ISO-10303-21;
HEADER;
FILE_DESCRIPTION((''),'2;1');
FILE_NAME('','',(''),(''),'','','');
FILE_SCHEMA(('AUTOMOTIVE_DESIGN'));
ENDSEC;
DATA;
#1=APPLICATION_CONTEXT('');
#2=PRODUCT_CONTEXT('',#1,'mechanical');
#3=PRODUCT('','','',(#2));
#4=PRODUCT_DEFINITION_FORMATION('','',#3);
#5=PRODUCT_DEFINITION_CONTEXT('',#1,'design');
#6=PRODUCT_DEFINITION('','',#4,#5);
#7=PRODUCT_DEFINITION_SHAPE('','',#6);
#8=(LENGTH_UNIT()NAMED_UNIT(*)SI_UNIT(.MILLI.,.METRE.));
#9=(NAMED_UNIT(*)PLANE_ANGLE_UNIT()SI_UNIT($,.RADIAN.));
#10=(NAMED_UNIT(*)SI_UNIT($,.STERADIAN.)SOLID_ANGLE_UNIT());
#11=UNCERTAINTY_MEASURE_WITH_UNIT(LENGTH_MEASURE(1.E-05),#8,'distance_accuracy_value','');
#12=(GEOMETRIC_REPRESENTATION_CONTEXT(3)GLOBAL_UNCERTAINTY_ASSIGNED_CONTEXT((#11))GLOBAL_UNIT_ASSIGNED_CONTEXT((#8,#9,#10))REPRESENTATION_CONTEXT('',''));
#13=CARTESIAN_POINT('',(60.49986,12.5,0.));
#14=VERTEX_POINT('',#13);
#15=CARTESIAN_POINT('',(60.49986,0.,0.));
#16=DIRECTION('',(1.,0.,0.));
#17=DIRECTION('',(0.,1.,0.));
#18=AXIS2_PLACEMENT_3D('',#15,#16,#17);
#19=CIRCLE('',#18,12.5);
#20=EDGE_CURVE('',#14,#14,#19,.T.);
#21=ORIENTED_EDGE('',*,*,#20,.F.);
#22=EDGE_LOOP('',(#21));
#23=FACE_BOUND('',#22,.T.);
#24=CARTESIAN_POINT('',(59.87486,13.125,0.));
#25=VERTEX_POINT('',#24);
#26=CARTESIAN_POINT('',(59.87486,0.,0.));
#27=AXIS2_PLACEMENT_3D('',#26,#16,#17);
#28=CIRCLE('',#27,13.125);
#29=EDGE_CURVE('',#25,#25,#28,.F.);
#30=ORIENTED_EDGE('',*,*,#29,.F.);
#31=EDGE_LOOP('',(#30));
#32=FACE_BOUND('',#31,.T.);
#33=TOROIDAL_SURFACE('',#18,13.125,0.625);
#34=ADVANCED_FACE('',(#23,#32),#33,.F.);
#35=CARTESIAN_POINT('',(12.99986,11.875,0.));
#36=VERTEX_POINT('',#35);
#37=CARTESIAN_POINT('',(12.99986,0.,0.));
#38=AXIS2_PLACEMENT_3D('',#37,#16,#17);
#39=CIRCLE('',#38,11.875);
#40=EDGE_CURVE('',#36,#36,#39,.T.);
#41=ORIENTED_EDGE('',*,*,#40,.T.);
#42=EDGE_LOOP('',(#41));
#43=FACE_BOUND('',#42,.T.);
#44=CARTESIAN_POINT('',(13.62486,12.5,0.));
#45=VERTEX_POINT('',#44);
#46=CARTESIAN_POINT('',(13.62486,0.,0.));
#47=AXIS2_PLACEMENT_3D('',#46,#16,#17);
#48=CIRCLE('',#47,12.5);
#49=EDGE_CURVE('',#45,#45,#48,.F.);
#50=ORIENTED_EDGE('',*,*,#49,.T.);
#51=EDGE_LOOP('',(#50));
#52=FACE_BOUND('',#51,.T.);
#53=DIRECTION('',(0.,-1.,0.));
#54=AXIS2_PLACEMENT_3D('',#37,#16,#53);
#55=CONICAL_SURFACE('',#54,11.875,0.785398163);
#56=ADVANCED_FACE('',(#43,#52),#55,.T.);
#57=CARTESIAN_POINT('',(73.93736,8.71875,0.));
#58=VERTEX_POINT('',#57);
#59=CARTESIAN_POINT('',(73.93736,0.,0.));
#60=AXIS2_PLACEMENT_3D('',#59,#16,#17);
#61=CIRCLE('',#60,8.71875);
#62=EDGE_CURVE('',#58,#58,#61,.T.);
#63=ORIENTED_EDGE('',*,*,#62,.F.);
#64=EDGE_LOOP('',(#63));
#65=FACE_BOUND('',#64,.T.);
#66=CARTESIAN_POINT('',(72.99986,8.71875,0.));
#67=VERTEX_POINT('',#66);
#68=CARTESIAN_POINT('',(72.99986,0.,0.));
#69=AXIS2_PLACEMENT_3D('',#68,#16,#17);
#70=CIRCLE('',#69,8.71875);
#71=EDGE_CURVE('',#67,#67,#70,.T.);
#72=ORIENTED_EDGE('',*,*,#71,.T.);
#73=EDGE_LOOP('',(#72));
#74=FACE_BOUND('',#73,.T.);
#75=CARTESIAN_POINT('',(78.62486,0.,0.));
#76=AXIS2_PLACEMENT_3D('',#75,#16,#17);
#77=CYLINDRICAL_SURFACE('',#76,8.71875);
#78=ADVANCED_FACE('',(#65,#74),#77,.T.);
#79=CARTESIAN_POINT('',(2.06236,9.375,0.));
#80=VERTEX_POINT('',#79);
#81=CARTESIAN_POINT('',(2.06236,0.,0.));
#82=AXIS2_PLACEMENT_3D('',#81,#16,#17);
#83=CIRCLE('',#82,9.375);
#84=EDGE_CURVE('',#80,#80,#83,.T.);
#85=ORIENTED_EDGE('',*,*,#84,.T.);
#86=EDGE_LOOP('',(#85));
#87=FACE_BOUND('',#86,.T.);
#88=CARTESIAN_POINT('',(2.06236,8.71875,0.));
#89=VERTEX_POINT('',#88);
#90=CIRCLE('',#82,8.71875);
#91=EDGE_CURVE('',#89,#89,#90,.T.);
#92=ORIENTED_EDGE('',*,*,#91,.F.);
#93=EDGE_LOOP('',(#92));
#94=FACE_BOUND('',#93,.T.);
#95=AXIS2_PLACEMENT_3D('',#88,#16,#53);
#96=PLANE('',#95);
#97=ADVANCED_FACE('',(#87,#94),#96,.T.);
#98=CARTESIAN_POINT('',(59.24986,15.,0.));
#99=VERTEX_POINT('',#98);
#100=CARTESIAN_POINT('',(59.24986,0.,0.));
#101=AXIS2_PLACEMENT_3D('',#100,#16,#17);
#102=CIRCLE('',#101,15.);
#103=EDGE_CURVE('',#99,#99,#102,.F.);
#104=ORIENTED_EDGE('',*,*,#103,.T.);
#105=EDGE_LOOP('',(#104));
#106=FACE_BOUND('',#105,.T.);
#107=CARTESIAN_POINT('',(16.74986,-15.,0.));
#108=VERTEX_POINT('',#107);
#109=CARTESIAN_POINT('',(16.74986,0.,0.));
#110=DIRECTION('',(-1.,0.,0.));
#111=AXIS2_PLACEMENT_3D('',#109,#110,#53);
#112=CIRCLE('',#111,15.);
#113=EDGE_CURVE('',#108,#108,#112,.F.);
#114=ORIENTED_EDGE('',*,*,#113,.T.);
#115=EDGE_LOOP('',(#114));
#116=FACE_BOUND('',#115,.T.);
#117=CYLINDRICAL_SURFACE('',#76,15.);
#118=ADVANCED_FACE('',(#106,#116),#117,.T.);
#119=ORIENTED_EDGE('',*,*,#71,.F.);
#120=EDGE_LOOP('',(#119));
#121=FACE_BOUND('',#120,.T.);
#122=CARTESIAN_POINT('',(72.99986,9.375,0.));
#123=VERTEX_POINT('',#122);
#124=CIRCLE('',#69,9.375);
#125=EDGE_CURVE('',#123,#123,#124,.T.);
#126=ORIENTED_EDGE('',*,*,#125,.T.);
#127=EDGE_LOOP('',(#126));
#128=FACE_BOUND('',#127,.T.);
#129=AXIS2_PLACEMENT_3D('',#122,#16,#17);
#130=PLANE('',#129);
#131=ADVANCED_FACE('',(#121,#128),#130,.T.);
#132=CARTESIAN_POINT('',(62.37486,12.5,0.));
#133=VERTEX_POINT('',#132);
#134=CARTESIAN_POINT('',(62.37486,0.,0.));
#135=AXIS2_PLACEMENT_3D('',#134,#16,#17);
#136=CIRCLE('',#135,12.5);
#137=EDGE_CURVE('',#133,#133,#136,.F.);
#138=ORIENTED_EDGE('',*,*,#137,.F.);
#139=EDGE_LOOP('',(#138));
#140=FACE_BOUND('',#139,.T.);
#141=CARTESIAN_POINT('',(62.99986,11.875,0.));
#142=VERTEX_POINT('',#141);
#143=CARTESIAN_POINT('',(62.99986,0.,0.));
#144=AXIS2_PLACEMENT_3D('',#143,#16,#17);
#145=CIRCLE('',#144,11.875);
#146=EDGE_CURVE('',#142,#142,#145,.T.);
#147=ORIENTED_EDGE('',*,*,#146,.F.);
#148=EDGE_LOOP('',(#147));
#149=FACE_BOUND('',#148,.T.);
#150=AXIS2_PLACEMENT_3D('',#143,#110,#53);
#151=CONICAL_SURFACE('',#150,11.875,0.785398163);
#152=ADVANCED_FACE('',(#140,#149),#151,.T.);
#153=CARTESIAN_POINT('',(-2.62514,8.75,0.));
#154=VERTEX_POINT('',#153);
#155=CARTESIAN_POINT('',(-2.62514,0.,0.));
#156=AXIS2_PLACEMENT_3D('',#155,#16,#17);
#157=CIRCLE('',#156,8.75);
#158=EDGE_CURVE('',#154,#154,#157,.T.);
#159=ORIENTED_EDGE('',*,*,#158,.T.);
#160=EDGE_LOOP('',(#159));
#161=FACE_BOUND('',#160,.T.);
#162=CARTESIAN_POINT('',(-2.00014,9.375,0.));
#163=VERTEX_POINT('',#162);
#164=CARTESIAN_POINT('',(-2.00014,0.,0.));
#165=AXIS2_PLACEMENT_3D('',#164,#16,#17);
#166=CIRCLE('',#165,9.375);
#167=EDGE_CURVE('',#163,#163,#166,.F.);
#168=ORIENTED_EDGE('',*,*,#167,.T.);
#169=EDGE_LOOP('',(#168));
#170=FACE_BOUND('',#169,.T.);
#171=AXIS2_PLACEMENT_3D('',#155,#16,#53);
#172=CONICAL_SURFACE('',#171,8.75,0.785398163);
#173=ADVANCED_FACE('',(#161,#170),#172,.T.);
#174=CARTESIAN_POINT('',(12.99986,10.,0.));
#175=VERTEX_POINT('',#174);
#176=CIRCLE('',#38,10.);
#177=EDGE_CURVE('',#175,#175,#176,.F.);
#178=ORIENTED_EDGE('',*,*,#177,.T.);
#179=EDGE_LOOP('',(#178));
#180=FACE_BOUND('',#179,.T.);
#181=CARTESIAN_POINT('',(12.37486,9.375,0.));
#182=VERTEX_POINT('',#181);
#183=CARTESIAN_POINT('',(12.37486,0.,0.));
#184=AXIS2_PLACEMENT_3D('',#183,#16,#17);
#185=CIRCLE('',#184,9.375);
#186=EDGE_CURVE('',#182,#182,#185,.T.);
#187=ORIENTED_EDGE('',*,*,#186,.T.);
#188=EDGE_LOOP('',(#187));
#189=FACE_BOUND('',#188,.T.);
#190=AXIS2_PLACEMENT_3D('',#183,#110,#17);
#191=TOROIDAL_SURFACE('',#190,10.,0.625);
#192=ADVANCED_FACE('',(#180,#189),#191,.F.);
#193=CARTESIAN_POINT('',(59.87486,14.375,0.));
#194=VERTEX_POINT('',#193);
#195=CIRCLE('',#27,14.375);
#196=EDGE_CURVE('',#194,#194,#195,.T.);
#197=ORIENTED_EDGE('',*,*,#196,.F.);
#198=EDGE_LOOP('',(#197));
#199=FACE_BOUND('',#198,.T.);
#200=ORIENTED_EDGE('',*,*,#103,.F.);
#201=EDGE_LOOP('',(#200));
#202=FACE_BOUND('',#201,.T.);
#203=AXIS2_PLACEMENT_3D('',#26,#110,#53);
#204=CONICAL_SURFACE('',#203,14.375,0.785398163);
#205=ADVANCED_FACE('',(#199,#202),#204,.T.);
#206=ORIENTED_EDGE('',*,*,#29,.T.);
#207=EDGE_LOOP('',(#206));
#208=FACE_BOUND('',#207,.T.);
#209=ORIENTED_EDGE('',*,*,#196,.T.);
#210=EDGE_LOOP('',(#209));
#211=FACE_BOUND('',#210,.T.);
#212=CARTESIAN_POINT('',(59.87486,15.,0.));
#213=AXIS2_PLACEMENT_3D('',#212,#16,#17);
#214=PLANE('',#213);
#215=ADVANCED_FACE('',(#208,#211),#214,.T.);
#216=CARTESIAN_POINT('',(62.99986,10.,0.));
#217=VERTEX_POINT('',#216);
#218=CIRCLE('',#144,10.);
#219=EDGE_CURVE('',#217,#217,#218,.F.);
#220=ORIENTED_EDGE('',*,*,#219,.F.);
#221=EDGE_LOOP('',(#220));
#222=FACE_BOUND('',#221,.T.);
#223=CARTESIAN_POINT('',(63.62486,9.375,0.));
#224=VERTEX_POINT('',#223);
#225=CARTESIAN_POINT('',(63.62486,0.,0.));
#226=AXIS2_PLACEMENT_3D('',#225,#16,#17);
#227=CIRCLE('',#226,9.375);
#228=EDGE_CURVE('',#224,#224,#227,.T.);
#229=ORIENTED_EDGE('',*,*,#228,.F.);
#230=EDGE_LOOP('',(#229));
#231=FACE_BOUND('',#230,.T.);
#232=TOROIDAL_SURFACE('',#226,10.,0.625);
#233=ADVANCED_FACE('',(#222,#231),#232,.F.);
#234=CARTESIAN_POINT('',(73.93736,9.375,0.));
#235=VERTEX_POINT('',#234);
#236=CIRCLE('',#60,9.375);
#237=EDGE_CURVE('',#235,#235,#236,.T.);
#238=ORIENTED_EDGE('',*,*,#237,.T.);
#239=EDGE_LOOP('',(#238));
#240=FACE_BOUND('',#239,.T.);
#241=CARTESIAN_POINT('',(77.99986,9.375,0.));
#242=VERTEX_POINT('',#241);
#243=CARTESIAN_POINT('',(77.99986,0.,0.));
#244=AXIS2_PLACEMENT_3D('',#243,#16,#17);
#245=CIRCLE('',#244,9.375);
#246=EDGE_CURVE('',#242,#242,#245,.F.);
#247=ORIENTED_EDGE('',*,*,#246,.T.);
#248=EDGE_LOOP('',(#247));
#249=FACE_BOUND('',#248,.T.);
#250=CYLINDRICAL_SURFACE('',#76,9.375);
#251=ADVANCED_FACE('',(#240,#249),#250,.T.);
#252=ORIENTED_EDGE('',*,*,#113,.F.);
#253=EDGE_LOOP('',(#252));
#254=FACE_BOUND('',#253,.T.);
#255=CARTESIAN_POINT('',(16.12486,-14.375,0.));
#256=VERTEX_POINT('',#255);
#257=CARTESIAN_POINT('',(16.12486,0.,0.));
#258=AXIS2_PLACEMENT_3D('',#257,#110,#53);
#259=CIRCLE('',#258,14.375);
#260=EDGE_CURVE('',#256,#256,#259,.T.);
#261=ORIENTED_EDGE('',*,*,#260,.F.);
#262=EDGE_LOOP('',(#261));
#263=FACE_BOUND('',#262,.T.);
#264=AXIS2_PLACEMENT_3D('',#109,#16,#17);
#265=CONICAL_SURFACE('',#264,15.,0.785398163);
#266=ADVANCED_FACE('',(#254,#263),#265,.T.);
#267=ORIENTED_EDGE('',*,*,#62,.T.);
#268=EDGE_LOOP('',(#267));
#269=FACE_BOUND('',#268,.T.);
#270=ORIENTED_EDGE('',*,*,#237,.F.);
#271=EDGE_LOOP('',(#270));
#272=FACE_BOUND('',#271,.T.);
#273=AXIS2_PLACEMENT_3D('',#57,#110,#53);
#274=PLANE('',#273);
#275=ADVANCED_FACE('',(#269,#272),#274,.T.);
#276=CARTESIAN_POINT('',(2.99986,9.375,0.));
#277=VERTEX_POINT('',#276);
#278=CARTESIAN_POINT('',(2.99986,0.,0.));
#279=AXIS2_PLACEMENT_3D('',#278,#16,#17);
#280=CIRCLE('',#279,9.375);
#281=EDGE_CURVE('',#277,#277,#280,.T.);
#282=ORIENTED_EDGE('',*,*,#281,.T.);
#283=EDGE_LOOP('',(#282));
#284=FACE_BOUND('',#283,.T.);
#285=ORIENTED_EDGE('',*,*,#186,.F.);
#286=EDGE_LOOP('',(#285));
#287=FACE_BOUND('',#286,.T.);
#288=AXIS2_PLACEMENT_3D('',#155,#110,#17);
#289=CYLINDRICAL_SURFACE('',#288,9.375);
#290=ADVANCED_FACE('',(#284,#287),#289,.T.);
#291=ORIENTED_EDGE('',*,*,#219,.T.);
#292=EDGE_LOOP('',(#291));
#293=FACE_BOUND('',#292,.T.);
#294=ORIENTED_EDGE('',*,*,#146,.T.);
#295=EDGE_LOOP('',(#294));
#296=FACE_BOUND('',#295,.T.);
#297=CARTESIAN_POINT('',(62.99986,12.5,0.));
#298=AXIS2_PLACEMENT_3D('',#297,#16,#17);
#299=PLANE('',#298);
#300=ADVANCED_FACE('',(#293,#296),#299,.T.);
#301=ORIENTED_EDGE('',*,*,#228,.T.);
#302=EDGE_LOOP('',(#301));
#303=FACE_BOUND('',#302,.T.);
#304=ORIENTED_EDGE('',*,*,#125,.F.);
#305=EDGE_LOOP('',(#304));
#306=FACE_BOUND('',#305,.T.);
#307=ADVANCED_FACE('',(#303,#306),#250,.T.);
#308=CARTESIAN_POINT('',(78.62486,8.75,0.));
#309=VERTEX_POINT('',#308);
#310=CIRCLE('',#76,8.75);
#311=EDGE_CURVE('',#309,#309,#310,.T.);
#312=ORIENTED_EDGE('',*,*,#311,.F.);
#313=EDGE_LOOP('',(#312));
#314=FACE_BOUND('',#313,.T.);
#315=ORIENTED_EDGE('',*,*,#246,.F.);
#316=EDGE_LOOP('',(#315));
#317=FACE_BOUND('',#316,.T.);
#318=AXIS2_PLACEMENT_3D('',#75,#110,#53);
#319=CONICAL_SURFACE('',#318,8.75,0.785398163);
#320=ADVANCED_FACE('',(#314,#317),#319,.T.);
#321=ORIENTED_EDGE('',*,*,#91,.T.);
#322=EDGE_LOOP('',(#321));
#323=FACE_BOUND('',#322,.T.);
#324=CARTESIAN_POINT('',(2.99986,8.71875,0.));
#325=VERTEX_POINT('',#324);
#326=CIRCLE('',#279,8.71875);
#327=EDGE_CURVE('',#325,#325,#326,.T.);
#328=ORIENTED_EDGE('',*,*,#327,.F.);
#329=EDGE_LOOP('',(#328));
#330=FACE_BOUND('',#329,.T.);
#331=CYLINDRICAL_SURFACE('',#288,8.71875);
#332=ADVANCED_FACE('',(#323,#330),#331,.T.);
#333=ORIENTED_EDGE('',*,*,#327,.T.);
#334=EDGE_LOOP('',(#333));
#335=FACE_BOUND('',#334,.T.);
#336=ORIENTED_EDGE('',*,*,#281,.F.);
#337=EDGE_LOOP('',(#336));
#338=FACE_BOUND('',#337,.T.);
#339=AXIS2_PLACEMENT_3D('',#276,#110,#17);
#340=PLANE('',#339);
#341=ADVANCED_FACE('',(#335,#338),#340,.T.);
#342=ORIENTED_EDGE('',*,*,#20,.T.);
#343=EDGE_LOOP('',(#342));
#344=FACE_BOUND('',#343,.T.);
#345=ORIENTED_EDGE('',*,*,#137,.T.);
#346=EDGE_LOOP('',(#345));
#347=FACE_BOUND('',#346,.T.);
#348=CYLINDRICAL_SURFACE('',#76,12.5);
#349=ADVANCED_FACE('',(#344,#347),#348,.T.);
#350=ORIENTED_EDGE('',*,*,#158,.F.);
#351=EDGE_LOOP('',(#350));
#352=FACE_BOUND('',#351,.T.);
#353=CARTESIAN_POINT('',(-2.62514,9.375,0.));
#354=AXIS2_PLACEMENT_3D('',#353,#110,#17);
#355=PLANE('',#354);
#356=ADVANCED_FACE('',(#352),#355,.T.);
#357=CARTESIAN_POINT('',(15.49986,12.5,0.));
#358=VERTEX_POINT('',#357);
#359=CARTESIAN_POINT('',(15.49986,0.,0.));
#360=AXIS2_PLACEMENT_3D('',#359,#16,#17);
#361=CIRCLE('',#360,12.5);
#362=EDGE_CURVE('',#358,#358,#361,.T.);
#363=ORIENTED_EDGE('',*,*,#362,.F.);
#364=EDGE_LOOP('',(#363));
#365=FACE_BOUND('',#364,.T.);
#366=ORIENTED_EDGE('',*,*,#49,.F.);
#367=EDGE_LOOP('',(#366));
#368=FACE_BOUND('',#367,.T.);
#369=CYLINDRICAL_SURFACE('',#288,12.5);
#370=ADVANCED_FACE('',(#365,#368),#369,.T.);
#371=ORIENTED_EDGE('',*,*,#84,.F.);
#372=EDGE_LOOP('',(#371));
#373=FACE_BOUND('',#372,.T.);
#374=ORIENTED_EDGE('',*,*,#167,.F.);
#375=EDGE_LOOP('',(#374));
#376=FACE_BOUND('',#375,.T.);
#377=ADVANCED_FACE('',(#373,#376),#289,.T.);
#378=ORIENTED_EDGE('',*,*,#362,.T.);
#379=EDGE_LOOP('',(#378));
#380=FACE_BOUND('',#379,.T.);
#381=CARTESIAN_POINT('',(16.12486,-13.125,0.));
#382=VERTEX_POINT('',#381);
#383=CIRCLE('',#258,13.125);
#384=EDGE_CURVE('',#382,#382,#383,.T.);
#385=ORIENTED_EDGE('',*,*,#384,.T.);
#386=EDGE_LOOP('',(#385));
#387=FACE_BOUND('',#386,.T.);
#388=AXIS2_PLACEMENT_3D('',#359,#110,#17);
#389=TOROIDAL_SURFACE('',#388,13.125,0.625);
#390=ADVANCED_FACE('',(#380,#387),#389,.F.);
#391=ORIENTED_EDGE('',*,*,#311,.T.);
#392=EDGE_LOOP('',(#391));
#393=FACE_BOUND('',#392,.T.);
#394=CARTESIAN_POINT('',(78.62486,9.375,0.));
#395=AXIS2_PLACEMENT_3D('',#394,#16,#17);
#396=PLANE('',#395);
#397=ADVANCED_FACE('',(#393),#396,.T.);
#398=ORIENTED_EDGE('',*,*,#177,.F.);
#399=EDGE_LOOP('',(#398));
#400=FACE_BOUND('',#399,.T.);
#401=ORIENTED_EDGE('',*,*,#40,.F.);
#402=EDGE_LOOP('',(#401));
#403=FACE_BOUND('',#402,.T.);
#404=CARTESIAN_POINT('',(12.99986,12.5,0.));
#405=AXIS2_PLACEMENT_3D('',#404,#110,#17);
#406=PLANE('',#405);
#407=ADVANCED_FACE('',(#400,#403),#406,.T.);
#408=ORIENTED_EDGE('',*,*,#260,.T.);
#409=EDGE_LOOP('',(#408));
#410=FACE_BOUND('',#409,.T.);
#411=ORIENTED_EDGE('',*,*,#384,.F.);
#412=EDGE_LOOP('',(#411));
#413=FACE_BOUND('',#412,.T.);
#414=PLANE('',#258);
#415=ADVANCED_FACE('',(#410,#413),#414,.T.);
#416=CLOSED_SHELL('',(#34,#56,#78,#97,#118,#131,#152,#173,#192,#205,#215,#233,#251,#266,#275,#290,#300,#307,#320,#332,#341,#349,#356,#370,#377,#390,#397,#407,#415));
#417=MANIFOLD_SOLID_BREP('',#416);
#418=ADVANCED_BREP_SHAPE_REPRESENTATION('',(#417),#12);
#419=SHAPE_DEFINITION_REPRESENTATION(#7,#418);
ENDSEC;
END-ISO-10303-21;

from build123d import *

# Parameters (mm, degrees)
M12_TAPPED_HOLE1_D           = 10.2
M12_TAPPED_HOLE1_DEPTH       = 16.935610843
M12_TAPPED_HOLE1_CSINK_D     = 12.05
M12_TAPPED_HOLE1_CSINK_ANGLE = 90
M12_TAPPED_HOLE1_TIP         = 3.064389157
FILLET1_R                    = 1
CHAMFER1_SIZE                = 1
SCALE1_SCALE                 = 0.625


with BuildPart() as part:
    # Sketch1 → Revolve1 (revolve)
    with BuildSketch(Plane.XY):
        Polygon((0, 0), (0, 24), (70, 24), (70, 20), (75, 20), (75, 15), (91, 15), (91, 13.95), (92.5, 13.95), (92.5, 15), (100, 15), (100, 0), align=None)
    revolve(axis=Axis((100, 0, 0), (-1, 0, 0)))

    # M12 Tapped Hole1
    with Locations(Plane.ZY):
        with Locations((0, 0)):
            CounterSinkHole(M12_TAPPED_HOLE1_D / 2, M12_TAPPED_HOLE1_CSINK_D / 2, depth=M12_TAPPED_HOLE1_DEPTH, counter_sink_angle=M12_TAPPED_HOLE1_CSINK_ANGLE)
            with Locations((0, 0, -(M12_TAPPED_HOLE1_DEPTH + M12_TAPPED_HOLE1_TIP / 2))):  # 118° drill point
                Cone(0, M12_TAPPED_HOLE1_D / 2, M12_TAPPED_HOLE1_TIP, mode=Mode.SUBTRACT)

    # Fillet1
    fillet1_edges = [part.edges().sort_by_distance(p)[0] for p in [
        (75, -15, 0),
        (70, -20, 0),
    ]]
    fillet(fillet1_edges, radius=FILLET1_R)

    # Chamfer1
    chamfer1_edges = [part.edges().sort_by_distance(p)[0] for p in [
        (75, -20, 0),
        (70, -24, 0),
        (0, -24, 0),
        (100, -15, 0),
    ]]
    chamfer(chamfer1_edges, length=CHAMFER1_SIZE)


with BuildPart() as part_1:
    # Scale1: scaled about (42.999626609, 0, 0)
    add(part.part.scale(SCALE1_SCALE).moved(Location((16.124859978, 0, 0))))

    # Mirror2: part across plane


with BuildPart() as part_2:
    add(part_1.part)
    add(part_1.part.mirror(Plane.ZY.offset(-37.999859978)))


solid = part_2.part
